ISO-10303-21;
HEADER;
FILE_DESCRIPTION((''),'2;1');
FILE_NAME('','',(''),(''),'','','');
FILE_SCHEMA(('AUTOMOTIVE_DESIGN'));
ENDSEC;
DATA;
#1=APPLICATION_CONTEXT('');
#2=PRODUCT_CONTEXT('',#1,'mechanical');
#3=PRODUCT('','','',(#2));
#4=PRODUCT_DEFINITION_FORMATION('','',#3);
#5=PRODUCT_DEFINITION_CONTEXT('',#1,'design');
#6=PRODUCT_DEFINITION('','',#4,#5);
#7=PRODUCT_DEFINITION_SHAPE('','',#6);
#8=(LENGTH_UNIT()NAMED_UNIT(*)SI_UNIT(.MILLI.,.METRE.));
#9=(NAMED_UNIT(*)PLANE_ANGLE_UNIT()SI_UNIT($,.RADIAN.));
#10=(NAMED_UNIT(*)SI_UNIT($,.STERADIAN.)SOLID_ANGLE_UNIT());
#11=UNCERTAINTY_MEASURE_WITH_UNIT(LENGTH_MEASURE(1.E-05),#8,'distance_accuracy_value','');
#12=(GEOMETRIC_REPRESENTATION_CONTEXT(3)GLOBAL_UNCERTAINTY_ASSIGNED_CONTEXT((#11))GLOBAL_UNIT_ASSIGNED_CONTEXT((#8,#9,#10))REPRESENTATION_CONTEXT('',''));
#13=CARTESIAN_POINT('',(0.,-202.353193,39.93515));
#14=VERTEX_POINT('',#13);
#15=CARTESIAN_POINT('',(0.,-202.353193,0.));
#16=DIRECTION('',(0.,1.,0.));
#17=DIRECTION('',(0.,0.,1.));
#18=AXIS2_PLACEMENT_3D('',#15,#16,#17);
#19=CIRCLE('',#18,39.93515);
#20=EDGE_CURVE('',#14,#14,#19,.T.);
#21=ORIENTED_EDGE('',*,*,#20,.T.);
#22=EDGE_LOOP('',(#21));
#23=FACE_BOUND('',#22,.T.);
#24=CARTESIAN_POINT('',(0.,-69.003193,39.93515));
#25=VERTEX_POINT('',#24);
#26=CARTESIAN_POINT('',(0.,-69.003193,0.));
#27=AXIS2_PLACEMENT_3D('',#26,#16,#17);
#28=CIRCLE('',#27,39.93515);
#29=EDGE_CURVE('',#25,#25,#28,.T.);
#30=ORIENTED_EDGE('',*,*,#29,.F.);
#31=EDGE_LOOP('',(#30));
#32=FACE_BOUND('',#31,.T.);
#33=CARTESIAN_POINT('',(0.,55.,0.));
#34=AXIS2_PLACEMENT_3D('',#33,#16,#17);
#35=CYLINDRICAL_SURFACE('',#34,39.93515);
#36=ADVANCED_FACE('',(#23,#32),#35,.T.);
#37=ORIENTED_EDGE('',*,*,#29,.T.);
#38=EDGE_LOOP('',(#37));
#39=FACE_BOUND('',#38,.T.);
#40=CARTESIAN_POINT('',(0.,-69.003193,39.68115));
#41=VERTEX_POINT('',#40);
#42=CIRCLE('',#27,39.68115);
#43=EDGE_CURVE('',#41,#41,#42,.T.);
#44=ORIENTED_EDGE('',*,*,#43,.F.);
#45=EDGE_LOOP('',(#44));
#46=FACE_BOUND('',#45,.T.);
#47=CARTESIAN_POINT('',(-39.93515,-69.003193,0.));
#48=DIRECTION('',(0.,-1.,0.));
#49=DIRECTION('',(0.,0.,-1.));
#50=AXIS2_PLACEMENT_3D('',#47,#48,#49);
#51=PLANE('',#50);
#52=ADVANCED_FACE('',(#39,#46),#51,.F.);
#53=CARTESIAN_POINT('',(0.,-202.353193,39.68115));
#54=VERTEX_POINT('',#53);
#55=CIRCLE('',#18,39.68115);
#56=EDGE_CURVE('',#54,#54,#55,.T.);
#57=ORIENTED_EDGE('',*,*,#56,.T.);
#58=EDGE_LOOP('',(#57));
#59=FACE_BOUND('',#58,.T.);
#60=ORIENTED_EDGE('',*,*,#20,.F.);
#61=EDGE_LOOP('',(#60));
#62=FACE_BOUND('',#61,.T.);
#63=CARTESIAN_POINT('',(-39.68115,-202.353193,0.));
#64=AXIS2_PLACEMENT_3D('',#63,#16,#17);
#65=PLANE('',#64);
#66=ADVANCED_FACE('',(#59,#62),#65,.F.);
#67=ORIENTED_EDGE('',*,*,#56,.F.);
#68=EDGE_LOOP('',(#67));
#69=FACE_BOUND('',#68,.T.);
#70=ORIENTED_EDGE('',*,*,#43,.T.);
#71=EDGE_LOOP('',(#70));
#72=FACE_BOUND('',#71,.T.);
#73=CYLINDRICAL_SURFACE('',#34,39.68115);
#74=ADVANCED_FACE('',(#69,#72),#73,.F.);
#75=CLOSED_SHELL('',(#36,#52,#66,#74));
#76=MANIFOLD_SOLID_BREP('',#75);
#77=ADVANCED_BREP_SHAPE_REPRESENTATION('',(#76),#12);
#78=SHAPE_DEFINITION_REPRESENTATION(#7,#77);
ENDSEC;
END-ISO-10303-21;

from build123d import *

# Parameters (mm, degrees)
SKETCH1_W = 0.254
SKETCH1_H = 133.35


with BuildPart() as part:
    # Sketch1 → Revolve-Thin1 (revolve)
    with BuildSketch(Plane.XY):
        with Locations((-39.80815, -135.67819341)):
            Rectangle(SKETCH1_W, SKETCH1_H)
    revolve(axis=Axis((0, 55, 0), (0, -1, 0)))


solid = part.part
